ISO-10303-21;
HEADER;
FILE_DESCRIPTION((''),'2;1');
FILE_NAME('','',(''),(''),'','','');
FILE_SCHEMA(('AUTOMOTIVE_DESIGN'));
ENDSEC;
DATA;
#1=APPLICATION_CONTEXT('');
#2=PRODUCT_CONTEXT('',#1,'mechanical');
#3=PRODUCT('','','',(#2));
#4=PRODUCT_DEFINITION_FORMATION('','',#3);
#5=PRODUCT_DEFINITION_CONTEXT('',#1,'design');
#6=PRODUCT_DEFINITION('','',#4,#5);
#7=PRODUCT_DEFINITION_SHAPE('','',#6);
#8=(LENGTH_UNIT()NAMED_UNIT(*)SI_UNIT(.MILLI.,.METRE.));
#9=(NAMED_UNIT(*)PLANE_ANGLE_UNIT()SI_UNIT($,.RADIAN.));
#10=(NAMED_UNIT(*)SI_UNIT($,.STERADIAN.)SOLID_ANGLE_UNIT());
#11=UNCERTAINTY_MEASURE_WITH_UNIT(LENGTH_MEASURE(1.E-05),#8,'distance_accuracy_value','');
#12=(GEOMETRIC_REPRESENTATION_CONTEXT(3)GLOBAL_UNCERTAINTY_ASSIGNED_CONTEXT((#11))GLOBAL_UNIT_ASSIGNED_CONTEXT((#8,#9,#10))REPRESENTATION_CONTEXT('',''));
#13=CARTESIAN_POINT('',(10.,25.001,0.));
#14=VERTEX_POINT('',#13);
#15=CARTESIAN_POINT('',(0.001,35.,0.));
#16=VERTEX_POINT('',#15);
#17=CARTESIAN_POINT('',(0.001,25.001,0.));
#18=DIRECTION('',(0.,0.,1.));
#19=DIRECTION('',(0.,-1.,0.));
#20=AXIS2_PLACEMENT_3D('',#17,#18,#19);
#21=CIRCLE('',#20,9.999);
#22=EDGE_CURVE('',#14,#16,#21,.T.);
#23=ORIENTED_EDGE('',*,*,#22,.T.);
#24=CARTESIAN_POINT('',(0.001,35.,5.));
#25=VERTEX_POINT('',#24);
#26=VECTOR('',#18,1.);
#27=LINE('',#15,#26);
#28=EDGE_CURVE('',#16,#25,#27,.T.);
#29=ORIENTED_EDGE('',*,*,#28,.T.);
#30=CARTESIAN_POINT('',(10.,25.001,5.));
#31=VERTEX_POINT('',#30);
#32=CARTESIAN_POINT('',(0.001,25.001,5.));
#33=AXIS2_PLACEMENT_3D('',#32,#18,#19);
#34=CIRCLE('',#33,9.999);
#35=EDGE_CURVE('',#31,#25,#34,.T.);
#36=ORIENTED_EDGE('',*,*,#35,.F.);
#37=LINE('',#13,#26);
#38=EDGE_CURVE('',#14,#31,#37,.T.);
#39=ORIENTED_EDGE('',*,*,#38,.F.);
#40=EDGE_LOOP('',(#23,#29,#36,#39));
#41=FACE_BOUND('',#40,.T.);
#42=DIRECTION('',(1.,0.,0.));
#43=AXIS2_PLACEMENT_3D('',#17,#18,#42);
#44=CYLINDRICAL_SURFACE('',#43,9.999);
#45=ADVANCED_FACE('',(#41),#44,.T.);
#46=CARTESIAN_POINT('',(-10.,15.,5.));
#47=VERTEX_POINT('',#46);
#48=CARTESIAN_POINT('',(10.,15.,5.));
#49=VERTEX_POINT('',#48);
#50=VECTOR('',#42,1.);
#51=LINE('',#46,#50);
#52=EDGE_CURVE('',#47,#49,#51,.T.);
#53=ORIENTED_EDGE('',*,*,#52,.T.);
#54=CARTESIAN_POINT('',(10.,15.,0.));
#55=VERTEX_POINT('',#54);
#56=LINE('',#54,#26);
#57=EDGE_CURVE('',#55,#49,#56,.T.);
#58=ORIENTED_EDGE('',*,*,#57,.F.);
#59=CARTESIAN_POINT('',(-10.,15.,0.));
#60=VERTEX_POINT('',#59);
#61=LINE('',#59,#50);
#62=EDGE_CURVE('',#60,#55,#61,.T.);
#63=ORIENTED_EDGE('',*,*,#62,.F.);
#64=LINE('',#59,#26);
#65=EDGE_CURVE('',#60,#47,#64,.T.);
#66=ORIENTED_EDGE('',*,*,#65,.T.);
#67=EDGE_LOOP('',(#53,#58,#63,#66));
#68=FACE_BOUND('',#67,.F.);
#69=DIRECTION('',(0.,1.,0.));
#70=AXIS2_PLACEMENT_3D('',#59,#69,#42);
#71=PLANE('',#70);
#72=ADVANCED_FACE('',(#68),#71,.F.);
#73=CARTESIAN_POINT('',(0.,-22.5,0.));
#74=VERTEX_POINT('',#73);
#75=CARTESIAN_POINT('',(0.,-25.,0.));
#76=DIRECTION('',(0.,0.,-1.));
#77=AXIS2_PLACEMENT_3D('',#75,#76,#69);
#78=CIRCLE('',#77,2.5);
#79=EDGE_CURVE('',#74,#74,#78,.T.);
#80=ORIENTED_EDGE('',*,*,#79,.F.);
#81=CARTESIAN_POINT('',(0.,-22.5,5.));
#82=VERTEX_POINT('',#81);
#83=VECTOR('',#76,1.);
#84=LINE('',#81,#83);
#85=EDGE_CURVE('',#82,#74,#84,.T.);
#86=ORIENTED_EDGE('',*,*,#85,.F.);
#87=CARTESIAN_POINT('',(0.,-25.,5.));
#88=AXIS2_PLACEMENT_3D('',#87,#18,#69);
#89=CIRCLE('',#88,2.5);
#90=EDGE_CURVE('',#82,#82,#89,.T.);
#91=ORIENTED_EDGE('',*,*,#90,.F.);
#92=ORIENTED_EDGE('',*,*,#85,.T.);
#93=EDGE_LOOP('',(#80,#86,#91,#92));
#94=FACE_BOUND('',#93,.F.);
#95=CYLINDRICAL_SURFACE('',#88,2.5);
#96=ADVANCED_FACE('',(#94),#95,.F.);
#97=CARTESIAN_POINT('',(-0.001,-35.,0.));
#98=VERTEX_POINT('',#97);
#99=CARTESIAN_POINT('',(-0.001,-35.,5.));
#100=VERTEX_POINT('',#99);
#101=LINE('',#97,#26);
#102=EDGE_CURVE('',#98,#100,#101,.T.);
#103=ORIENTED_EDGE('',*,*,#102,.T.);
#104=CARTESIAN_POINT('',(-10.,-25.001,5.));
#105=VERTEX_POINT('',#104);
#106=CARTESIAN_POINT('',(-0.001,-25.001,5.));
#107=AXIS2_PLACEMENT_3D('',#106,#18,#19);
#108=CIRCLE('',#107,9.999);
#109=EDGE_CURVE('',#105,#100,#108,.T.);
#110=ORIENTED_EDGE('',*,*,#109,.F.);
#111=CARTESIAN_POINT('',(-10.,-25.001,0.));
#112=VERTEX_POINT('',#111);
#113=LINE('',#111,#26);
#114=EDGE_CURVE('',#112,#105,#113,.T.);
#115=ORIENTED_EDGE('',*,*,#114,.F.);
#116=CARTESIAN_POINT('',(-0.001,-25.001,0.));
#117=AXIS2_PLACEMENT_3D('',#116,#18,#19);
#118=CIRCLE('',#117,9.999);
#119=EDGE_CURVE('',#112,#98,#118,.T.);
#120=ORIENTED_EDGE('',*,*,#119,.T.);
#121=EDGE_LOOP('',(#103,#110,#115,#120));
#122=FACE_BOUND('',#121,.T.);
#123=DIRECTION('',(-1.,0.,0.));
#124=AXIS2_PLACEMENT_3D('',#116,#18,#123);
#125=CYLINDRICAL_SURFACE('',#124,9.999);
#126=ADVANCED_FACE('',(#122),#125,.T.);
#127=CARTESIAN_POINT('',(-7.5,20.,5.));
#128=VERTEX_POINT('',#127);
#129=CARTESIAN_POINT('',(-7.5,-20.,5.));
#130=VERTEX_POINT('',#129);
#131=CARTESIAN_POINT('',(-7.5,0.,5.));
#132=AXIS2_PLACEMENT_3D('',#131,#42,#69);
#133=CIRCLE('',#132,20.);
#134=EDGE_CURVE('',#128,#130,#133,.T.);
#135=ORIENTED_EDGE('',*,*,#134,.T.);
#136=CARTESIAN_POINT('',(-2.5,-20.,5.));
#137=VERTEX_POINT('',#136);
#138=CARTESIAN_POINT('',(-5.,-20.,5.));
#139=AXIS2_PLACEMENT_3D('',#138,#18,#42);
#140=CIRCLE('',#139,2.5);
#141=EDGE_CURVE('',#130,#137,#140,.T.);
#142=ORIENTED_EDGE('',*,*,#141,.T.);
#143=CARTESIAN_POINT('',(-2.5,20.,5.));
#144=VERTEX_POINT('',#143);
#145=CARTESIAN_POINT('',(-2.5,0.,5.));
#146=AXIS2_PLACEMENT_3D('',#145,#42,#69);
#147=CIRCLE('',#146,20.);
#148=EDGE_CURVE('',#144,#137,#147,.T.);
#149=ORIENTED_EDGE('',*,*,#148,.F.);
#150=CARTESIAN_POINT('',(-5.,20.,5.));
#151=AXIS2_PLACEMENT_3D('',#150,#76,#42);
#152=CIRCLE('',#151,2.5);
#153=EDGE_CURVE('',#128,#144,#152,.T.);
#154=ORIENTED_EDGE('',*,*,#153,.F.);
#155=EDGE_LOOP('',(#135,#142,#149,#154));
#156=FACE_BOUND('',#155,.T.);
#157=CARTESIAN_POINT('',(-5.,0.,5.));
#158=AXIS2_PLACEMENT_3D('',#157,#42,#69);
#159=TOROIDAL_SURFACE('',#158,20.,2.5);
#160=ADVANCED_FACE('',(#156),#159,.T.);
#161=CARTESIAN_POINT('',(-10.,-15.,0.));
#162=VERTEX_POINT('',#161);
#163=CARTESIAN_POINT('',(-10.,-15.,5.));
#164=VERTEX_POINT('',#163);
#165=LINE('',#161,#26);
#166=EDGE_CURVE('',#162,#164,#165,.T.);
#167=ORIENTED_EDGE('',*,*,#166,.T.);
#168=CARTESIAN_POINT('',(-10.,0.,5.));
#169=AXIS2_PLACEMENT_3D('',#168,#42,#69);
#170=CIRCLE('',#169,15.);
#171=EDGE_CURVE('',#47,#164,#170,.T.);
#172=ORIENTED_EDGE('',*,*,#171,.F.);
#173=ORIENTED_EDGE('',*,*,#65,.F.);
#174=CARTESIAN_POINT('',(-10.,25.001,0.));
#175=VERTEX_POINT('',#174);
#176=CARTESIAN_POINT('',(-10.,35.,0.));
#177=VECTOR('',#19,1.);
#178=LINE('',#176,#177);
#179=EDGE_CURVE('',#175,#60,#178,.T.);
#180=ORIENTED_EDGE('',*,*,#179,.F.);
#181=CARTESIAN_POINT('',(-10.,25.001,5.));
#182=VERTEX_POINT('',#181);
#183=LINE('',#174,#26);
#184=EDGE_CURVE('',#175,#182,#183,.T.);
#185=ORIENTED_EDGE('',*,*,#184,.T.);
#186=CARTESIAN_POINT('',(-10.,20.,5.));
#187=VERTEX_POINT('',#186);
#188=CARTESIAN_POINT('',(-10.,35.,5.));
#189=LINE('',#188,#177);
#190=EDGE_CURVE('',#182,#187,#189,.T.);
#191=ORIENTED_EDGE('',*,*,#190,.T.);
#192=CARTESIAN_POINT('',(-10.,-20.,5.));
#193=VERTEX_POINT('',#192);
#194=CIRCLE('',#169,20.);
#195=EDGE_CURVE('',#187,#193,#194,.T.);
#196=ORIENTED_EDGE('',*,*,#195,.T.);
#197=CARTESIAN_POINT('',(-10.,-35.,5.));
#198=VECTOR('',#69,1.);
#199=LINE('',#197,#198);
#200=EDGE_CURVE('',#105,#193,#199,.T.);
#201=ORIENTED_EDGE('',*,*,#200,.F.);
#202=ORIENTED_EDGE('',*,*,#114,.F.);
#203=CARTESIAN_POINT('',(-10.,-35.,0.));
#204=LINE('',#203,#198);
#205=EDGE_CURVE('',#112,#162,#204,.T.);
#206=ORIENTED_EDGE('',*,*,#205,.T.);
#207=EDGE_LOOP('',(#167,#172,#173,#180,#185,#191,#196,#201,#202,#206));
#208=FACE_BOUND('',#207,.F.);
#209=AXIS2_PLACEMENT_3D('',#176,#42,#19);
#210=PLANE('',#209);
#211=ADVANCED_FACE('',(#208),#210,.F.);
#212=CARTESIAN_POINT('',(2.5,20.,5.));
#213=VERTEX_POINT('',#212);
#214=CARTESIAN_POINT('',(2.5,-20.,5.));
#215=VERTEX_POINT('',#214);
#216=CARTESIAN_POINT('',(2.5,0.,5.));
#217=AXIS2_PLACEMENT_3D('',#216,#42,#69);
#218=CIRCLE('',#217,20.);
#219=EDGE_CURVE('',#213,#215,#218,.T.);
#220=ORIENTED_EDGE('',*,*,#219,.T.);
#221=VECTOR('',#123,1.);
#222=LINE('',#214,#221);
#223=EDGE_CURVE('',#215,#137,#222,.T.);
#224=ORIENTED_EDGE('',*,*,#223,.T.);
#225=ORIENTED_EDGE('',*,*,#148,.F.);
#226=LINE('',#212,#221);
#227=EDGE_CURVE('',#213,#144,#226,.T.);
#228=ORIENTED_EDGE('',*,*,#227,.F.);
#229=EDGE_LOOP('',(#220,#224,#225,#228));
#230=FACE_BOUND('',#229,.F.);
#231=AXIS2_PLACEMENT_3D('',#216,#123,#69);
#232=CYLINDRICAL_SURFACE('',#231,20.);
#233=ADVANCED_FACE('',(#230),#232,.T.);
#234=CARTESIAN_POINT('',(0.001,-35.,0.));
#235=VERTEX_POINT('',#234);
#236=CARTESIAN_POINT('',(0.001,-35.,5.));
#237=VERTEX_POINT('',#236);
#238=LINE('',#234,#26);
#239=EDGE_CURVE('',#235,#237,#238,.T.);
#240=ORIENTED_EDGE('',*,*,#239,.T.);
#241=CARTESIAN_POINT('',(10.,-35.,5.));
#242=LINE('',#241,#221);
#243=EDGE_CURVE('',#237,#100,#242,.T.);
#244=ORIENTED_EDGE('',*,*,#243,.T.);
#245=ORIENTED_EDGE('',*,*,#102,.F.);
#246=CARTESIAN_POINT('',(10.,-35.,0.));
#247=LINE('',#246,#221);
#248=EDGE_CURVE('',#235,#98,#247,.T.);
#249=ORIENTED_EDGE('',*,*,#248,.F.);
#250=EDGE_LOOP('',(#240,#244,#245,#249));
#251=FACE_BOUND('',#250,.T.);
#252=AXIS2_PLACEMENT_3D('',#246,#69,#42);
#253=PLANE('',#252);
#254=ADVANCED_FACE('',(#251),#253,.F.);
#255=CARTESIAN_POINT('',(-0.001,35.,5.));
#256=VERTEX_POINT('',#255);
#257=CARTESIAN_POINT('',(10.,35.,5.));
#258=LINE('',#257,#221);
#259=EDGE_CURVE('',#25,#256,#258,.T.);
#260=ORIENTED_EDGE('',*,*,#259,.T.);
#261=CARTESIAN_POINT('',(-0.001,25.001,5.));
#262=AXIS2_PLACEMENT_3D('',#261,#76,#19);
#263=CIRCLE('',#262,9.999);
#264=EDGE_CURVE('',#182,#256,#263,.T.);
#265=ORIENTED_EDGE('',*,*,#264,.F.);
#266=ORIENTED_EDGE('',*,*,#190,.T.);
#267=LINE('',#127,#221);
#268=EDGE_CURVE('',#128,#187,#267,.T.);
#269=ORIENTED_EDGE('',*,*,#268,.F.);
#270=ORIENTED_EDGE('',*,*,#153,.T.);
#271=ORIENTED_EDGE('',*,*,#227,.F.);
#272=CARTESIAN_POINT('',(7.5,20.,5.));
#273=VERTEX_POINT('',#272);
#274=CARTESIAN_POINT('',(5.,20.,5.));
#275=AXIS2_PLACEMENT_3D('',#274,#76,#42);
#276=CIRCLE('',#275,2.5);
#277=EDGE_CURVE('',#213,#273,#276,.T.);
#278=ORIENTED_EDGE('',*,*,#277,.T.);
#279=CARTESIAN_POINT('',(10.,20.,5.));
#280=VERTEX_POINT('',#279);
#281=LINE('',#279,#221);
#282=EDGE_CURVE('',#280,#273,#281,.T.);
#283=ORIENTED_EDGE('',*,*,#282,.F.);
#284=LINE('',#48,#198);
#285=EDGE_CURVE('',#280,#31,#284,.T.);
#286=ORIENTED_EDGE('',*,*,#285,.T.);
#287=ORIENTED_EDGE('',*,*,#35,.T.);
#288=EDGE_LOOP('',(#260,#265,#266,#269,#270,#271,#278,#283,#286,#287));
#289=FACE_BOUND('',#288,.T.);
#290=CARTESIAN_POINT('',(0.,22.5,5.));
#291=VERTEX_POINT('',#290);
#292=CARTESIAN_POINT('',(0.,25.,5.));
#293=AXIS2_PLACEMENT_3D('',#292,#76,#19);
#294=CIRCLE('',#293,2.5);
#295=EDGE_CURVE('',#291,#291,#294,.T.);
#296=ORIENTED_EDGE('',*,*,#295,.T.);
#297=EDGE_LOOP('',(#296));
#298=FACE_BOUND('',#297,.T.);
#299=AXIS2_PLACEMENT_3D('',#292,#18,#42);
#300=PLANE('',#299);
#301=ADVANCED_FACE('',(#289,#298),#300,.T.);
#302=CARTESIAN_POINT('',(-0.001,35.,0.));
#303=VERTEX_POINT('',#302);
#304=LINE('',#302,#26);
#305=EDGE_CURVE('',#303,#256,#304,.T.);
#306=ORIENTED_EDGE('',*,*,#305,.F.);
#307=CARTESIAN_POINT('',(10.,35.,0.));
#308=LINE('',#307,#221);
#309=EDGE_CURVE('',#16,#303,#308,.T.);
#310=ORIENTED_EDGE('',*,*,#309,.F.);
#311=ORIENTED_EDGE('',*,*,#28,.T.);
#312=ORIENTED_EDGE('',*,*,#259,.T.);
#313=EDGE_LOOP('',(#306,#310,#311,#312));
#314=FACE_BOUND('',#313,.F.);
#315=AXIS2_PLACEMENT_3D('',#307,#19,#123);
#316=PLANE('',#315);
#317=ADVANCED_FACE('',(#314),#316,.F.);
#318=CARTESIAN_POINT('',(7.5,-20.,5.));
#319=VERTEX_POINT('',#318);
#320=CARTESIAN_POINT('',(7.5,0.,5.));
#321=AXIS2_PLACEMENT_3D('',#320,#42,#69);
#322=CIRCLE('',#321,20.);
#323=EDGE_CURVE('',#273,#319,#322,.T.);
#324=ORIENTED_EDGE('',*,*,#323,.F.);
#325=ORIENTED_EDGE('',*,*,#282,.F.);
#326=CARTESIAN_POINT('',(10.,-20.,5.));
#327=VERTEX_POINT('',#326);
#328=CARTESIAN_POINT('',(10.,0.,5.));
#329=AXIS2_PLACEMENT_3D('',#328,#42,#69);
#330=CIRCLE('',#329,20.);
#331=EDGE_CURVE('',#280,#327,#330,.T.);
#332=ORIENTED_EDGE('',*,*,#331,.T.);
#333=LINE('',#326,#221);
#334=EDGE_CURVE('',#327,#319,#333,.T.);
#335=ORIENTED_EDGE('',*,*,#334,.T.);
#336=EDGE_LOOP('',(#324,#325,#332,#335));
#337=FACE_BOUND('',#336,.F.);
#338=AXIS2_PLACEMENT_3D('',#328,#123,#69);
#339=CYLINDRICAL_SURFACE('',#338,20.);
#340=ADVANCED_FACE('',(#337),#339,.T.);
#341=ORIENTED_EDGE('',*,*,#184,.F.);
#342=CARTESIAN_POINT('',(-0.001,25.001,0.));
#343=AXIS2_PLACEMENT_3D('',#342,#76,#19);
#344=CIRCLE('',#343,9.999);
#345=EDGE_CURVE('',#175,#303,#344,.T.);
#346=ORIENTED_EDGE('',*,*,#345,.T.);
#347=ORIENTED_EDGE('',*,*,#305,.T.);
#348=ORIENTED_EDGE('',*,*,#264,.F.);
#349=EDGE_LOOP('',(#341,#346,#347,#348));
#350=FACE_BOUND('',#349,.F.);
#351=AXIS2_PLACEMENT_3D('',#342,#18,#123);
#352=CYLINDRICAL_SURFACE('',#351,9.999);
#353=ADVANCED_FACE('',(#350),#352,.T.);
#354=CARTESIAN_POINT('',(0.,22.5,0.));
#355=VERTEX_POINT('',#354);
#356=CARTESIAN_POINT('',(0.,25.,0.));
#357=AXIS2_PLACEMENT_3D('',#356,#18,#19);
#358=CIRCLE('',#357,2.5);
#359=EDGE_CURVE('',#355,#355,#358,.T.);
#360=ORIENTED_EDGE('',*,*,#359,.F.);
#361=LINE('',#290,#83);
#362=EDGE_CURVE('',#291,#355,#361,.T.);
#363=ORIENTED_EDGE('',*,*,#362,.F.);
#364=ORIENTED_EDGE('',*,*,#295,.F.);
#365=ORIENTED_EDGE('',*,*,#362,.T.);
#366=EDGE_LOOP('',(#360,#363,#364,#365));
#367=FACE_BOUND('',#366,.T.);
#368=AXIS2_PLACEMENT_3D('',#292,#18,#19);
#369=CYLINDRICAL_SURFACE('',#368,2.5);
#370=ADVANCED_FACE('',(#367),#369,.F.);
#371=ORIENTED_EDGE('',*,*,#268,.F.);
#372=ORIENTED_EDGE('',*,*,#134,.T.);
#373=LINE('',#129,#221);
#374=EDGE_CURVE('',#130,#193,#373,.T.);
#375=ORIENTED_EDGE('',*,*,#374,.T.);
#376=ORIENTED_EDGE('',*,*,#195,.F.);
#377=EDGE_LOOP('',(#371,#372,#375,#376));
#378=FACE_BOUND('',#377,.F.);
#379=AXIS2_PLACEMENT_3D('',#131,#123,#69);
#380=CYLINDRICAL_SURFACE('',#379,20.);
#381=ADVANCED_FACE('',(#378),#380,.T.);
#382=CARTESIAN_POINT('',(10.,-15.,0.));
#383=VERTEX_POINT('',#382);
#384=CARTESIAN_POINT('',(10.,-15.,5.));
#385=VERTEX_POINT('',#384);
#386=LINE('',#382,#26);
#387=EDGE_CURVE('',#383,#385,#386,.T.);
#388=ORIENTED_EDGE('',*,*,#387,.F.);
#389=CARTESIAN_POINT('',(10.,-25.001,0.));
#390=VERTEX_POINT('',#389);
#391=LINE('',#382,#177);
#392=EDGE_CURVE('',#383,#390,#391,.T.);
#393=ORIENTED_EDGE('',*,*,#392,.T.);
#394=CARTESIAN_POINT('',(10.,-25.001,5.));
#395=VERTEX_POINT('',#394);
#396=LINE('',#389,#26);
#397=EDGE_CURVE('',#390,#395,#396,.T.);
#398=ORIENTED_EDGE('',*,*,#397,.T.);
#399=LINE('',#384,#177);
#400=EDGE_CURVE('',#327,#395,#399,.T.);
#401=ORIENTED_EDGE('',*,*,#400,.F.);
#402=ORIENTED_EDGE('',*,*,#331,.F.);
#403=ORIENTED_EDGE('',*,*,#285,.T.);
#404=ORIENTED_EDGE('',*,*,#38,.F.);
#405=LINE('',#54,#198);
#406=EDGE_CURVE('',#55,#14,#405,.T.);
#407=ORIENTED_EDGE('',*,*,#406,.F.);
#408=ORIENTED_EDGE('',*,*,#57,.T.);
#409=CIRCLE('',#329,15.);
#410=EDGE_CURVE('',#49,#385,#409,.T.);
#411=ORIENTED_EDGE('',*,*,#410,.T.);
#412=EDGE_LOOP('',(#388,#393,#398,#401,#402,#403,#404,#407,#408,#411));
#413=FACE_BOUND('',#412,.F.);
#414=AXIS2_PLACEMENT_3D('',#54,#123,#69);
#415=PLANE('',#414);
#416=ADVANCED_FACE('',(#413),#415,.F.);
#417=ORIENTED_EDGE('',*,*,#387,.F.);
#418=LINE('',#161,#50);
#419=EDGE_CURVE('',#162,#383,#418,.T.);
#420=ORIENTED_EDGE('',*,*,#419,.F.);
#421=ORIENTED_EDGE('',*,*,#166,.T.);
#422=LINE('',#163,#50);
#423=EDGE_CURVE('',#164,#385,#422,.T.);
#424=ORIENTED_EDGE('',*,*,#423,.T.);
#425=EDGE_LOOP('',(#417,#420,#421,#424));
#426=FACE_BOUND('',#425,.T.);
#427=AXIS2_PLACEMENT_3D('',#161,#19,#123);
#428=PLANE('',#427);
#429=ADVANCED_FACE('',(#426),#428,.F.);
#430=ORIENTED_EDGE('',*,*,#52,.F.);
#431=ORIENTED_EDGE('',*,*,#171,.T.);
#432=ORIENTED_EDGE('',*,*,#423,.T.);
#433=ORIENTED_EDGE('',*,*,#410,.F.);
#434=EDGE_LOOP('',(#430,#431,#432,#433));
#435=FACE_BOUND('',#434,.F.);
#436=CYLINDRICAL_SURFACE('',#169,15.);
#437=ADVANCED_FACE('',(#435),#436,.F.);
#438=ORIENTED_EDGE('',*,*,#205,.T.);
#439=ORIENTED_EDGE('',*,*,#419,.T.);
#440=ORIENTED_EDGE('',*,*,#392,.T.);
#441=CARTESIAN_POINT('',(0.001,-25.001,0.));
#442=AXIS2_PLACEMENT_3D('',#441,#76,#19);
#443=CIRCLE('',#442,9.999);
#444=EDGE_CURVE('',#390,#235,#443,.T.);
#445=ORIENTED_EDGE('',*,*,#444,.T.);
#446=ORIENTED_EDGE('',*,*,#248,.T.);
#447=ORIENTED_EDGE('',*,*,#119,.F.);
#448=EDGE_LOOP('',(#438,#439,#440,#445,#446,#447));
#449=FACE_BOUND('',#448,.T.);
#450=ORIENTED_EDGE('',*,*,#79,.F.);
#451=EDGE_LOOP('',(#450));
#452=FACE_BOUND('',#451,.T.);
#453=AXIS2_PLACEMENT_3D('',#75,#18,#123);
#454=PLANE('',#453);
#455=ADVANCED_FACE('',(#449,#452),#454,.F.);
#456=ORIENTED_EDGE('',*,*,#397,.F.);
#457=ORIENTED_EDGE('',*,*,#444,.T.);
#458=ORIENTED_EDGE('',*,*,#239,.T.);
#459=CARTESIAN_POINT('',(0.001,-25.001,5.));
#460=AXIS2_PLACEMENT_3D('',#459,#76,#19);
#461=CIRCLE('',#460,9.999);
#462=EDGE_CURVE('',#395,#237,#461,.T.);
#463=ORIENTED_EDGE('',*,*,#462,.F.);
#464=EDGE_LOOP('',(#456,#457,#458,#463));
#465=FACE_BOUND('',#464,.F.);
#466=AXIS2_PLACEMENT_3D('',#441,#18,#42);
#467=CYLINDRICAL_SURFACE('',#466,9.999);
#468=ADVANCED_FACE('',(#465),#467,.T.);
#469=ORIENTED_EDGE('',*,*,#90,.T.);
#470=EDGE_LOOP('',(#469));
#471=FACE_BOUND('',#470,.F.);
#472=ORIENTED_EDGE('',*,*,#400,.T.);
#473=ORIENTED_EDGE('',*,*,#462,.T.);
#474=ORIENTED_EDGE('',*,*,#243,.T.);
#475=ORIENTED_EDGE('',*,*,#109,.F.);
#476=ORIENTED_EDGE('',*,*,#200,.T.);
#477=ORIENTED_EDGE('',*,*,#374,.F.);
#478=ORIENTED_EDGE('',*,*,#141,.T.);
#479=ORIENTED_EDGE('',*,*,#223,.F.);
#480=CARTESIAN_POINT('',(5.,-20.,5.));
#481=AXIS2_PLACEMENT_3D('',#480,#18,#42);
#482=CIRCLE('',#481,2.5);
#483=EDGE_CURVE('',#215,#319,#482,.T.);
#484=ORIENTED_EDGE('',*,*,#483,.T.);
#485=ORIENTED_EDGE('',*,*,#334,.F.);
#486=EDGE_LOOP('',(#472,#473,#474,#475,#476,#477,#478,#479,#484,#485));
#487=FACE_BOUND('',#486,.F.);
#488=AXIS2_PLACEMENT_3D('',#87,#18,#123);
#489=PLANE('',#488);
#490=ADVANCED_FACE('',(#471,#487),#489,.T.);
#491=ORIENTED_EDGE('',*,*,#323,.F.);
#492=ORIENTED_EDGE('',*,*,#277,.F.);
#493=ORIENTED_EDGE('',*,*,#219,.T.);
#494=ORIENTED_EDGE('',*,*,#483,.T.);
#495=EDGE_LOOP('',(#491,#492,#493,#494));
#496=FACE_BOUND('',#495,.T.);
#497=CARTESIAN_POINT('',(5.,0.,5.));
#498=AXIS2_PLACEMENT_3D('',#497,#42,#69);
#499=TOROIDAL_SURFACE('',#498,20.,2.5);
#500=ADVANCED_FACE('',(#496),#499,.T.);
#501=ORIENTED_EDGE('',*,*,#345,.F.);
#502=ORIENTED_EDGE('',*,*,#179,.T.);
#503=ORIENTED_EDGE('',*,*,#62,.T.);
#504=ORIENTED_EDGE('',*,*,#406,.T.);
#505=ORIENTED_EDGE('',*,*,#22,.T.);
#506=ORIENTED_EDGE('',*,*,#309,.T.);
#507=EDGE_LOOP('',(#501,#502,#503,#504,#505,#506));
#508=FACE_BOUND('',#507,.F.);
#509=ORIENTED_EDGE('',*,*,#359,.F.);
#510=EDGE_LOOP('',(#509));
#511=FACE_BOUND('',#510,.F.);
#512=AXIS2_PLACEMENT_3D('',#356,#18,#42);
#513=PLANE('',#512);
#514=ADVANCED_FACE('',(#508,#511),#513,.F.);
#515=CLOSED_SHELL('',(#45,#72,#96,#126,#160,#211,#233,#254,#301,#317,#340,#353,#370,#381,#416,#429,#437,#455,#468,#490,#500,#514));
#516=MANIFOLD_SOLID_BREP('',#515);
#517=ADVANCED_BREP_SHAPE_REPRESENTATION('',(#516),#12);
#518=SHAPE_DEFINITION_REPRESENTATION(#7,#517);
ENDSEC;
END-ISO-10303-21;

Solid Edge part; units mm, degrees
sketch "Sketch1" plane through (0, 0, 0) normal (0, 0, 1) x (1, 0, 0)
  line L0 (-10, 15) -> (10, 15)
  line L1 (10, 15) -> (10, 35)
  line L2 (10, 35) -> (-10, 35)
  line L3 (-10, 35) -> (-10, 15)
  dimension "D1" = 20
  dimension "D2" = 20
  dimension "D3" = 15
extrude "Protrusion1" add sketch "Sketch1" along normal blind 5
hole "Hole_1" at (0, 25, 5) direction (0, 0, -1) diameter 5 end up to next
fillet "Round_1" radius 10 2 edges at (10, 35, 2.5) (-10, 35, 2.5)
mirror "Mirror1" about plane through (0, 0, 0) normal (0, 1, 0) of "Protrusion1", "Hole_1"
fillet "Round1" radius 10 2 edges at (10, -35, 2.5) (-10, -35, 2.5)
sketch "Sketch2" plane through (0, 40, 5) normal (0, 0, 1) x (1, 0, 0)
  line L0 (-10, -25) -> (10, -25)
  line L1 (10, -25) -> (10, -20)
  line L2 (10, -20) -> (7.5, -20)
  arc A0 (2.5, -20) -> (7.5, -20) centre (5, -20) cw
  line L3 (2.5, -20) -> (-2.5, -20)
  arc A1 (-7.5, -20) -> (-2.5, -20) centre (-5, -20) cw
  line L4 (-7.5, -20) -> (-10, -20)
  line L5 (-10, -20) -> (-10, -25)
  dimension "D1" = 5
  dimension "D2" = 5
revolve "RevolvedProtrusion_1" add sketch "Sketch2" angle 180 about axis through (0, 0, 5) along (1, 0, 0)
